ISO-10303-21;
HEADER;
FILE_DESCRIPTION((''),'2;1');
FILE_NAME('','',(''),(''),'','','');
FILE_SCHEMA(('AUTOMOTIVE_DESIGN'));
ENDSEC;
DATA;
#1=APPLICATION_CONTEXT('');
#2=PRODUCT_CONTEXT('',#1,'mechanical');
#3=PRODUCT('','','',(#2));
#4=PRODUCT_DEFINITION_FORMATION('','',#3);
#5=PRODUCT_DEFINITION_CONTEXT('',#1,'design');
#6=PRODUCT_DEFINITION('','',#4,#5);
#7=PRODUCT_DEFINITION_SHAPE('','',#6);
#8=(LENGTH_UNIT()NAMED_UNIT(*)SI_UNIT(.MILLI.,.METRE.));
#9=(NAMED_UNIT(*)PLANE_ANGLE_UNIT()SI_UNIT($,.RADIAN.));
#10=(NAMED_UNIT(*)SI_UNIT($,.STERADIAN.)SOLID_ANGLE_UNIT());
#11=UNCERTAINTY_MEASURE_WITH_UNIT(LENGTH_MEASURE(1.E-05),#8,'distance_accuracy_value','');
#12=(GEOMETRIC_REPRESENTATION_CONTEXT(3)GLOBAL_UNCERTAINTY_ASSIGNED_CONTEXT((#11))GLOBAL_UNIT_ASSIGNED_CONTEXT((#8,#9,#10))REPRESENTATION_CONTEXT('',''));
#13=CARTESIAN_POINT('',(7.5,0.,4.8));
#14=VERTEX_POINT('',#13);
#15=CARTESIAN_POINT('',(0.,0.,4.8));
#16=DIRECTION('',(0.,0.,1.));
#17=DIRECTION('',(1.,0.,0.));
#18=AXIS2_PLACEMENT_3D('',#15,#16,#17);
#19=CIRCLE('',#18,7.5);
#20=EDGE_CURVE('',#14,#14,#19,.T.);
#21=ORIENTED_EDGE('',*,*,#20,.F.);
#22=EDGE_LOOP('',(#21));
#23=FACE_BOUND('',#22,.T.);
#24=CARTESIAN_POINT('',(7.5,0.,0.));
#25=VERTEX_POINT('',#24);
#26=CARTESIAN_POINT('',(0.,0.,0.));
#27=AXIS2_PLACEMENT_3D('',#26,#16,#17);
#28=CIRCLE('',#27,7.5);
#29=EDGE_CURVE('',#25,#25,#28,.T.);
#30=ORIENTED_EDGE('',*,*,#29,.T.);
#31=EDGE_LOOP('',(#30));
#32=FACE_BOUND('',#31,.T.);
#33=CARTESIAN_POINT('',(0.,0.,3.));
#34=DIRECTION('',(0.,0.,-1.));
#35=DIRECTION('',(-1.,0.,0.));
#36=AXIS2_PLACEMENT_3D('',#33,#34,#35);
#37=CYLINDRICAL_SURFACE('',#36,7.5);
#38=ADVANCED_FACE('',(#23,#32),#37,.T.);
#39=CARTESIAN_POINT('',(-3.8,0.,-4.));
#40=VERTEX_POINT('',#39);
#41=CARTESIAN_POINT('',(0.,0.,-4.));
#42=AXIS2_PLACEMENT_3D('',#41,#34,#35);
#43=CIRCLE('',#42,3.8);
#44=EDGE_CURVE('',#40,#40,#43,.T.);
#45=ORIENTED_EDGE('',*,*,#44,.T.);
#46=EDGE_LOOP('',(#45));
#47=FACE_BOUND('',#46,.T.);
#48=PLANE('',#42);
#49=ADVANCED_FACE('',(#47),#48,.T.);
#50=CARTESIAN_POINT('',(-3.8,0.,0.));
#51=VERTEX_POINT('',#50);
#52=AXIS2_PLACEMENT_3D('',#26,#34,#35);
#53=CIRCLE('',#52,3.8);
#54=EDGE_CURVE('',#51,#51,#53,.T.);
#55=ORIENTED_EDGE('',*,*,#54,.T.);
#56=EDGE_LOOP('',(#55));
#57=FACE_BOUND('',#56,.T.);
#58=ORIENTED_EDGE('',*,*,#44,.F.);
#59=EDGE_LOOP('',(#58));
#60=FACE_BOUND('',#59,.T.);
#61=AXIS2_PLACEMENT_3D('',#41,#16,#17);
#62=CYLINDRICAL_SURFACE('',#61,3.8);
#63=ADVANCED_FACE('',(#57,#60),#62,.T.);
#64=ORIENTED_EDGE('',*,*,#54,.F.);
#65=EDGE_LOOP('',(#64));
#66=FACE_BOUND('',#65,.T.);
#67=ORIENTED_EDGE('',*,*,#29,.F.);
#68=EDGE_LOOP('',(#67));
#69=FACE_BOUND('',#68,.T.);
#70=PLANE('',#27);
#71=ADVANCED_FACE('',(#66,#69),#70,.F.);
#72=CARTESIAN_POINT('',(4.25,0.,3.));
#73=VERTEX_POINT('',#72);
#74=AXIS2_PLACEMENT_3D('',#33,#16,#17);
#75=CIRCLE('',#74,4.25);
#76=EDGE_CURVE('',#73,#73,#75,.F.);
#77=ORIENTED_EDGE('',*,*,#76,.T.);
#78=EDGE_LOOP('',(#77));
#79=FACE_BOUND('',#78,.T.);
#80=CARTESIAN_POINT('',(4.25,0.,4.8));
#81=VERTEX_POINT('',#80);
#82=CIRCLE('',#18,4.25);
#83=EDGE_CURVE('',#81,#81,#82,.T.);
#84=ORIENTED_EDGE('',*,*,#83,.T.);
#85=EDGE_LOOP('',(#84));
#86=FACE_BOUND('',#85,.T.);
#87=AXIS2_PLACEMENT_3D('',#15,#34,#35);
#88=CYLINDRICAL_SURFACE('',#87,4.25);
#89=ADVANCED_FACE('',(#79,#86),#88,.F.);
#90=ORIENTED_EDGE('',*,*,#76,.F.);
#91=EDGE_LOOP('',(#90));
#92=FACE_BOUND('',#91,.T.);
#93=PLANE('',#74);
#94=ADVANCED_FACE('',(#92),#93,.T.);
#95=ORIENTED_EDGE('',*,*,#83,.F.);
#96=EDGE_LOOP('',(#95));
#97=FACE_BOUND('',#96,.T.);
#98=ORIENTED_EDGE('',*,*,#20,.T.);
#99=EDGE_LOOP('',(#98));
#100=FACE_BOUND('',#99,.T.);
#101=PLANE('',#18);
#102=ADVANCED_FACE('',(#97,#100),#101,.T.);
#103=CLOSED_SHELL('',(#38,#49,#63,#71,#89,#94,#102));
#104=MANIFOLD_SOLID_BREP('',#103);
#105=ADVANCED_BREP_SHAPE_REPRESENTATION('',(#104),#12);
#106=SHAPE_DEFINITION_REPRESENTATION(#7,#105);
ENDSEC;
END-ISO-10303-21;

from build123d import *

# Parameters (mm, degrees)
SZKIC1_R                    = 7.5
DODANIE_WYCI_GNI_CIE1_DEPTH = 3
SZKIC2_R                    = 3.8
DODANIE_WYCI_GNI_CIE2_DEPTH = 4
SZKIC3_R                    = 7.5
SZKIC3_R_2                  = 4.25
DODANIE_WYCI_GNI_CIE3_DEPTH = 1.8


with BuildPart() as part:
    # Szkic1 → Dodanie-wyciągnięcie1 (new body)
    with BuildSketch(Plane.XY):
        Circle(SZKIC1_R)
    extrude(amount=DODANIE_WYCI_GNI_CIE1_DEPTH)

    # Szkic2 → Dodanie-wyciągnięcie2 (add)
    with BuildSketch(Plane(origin=(0, 0, 0), x_dir=(-1, 0, 0), z_dir=(0, 0, -1))):
        Circle(SZKIC2_R)
    extrude(amount=DODANIE_WYCI_GNI_CIE2_DEPTH)

    # Szkic3 → Dodanie-wyciągnięcie3 (add)
    with BuildSketch(Plane.XY.offset(3)):
        Circle(SZKIC3_R)
        Circle(SZKIC3_R_2, mode=Mode.SUBTRACT)
    extrude(amount=DODANIE_WYCI_GNI_CIE3_DEPTH)


solid = part.part
